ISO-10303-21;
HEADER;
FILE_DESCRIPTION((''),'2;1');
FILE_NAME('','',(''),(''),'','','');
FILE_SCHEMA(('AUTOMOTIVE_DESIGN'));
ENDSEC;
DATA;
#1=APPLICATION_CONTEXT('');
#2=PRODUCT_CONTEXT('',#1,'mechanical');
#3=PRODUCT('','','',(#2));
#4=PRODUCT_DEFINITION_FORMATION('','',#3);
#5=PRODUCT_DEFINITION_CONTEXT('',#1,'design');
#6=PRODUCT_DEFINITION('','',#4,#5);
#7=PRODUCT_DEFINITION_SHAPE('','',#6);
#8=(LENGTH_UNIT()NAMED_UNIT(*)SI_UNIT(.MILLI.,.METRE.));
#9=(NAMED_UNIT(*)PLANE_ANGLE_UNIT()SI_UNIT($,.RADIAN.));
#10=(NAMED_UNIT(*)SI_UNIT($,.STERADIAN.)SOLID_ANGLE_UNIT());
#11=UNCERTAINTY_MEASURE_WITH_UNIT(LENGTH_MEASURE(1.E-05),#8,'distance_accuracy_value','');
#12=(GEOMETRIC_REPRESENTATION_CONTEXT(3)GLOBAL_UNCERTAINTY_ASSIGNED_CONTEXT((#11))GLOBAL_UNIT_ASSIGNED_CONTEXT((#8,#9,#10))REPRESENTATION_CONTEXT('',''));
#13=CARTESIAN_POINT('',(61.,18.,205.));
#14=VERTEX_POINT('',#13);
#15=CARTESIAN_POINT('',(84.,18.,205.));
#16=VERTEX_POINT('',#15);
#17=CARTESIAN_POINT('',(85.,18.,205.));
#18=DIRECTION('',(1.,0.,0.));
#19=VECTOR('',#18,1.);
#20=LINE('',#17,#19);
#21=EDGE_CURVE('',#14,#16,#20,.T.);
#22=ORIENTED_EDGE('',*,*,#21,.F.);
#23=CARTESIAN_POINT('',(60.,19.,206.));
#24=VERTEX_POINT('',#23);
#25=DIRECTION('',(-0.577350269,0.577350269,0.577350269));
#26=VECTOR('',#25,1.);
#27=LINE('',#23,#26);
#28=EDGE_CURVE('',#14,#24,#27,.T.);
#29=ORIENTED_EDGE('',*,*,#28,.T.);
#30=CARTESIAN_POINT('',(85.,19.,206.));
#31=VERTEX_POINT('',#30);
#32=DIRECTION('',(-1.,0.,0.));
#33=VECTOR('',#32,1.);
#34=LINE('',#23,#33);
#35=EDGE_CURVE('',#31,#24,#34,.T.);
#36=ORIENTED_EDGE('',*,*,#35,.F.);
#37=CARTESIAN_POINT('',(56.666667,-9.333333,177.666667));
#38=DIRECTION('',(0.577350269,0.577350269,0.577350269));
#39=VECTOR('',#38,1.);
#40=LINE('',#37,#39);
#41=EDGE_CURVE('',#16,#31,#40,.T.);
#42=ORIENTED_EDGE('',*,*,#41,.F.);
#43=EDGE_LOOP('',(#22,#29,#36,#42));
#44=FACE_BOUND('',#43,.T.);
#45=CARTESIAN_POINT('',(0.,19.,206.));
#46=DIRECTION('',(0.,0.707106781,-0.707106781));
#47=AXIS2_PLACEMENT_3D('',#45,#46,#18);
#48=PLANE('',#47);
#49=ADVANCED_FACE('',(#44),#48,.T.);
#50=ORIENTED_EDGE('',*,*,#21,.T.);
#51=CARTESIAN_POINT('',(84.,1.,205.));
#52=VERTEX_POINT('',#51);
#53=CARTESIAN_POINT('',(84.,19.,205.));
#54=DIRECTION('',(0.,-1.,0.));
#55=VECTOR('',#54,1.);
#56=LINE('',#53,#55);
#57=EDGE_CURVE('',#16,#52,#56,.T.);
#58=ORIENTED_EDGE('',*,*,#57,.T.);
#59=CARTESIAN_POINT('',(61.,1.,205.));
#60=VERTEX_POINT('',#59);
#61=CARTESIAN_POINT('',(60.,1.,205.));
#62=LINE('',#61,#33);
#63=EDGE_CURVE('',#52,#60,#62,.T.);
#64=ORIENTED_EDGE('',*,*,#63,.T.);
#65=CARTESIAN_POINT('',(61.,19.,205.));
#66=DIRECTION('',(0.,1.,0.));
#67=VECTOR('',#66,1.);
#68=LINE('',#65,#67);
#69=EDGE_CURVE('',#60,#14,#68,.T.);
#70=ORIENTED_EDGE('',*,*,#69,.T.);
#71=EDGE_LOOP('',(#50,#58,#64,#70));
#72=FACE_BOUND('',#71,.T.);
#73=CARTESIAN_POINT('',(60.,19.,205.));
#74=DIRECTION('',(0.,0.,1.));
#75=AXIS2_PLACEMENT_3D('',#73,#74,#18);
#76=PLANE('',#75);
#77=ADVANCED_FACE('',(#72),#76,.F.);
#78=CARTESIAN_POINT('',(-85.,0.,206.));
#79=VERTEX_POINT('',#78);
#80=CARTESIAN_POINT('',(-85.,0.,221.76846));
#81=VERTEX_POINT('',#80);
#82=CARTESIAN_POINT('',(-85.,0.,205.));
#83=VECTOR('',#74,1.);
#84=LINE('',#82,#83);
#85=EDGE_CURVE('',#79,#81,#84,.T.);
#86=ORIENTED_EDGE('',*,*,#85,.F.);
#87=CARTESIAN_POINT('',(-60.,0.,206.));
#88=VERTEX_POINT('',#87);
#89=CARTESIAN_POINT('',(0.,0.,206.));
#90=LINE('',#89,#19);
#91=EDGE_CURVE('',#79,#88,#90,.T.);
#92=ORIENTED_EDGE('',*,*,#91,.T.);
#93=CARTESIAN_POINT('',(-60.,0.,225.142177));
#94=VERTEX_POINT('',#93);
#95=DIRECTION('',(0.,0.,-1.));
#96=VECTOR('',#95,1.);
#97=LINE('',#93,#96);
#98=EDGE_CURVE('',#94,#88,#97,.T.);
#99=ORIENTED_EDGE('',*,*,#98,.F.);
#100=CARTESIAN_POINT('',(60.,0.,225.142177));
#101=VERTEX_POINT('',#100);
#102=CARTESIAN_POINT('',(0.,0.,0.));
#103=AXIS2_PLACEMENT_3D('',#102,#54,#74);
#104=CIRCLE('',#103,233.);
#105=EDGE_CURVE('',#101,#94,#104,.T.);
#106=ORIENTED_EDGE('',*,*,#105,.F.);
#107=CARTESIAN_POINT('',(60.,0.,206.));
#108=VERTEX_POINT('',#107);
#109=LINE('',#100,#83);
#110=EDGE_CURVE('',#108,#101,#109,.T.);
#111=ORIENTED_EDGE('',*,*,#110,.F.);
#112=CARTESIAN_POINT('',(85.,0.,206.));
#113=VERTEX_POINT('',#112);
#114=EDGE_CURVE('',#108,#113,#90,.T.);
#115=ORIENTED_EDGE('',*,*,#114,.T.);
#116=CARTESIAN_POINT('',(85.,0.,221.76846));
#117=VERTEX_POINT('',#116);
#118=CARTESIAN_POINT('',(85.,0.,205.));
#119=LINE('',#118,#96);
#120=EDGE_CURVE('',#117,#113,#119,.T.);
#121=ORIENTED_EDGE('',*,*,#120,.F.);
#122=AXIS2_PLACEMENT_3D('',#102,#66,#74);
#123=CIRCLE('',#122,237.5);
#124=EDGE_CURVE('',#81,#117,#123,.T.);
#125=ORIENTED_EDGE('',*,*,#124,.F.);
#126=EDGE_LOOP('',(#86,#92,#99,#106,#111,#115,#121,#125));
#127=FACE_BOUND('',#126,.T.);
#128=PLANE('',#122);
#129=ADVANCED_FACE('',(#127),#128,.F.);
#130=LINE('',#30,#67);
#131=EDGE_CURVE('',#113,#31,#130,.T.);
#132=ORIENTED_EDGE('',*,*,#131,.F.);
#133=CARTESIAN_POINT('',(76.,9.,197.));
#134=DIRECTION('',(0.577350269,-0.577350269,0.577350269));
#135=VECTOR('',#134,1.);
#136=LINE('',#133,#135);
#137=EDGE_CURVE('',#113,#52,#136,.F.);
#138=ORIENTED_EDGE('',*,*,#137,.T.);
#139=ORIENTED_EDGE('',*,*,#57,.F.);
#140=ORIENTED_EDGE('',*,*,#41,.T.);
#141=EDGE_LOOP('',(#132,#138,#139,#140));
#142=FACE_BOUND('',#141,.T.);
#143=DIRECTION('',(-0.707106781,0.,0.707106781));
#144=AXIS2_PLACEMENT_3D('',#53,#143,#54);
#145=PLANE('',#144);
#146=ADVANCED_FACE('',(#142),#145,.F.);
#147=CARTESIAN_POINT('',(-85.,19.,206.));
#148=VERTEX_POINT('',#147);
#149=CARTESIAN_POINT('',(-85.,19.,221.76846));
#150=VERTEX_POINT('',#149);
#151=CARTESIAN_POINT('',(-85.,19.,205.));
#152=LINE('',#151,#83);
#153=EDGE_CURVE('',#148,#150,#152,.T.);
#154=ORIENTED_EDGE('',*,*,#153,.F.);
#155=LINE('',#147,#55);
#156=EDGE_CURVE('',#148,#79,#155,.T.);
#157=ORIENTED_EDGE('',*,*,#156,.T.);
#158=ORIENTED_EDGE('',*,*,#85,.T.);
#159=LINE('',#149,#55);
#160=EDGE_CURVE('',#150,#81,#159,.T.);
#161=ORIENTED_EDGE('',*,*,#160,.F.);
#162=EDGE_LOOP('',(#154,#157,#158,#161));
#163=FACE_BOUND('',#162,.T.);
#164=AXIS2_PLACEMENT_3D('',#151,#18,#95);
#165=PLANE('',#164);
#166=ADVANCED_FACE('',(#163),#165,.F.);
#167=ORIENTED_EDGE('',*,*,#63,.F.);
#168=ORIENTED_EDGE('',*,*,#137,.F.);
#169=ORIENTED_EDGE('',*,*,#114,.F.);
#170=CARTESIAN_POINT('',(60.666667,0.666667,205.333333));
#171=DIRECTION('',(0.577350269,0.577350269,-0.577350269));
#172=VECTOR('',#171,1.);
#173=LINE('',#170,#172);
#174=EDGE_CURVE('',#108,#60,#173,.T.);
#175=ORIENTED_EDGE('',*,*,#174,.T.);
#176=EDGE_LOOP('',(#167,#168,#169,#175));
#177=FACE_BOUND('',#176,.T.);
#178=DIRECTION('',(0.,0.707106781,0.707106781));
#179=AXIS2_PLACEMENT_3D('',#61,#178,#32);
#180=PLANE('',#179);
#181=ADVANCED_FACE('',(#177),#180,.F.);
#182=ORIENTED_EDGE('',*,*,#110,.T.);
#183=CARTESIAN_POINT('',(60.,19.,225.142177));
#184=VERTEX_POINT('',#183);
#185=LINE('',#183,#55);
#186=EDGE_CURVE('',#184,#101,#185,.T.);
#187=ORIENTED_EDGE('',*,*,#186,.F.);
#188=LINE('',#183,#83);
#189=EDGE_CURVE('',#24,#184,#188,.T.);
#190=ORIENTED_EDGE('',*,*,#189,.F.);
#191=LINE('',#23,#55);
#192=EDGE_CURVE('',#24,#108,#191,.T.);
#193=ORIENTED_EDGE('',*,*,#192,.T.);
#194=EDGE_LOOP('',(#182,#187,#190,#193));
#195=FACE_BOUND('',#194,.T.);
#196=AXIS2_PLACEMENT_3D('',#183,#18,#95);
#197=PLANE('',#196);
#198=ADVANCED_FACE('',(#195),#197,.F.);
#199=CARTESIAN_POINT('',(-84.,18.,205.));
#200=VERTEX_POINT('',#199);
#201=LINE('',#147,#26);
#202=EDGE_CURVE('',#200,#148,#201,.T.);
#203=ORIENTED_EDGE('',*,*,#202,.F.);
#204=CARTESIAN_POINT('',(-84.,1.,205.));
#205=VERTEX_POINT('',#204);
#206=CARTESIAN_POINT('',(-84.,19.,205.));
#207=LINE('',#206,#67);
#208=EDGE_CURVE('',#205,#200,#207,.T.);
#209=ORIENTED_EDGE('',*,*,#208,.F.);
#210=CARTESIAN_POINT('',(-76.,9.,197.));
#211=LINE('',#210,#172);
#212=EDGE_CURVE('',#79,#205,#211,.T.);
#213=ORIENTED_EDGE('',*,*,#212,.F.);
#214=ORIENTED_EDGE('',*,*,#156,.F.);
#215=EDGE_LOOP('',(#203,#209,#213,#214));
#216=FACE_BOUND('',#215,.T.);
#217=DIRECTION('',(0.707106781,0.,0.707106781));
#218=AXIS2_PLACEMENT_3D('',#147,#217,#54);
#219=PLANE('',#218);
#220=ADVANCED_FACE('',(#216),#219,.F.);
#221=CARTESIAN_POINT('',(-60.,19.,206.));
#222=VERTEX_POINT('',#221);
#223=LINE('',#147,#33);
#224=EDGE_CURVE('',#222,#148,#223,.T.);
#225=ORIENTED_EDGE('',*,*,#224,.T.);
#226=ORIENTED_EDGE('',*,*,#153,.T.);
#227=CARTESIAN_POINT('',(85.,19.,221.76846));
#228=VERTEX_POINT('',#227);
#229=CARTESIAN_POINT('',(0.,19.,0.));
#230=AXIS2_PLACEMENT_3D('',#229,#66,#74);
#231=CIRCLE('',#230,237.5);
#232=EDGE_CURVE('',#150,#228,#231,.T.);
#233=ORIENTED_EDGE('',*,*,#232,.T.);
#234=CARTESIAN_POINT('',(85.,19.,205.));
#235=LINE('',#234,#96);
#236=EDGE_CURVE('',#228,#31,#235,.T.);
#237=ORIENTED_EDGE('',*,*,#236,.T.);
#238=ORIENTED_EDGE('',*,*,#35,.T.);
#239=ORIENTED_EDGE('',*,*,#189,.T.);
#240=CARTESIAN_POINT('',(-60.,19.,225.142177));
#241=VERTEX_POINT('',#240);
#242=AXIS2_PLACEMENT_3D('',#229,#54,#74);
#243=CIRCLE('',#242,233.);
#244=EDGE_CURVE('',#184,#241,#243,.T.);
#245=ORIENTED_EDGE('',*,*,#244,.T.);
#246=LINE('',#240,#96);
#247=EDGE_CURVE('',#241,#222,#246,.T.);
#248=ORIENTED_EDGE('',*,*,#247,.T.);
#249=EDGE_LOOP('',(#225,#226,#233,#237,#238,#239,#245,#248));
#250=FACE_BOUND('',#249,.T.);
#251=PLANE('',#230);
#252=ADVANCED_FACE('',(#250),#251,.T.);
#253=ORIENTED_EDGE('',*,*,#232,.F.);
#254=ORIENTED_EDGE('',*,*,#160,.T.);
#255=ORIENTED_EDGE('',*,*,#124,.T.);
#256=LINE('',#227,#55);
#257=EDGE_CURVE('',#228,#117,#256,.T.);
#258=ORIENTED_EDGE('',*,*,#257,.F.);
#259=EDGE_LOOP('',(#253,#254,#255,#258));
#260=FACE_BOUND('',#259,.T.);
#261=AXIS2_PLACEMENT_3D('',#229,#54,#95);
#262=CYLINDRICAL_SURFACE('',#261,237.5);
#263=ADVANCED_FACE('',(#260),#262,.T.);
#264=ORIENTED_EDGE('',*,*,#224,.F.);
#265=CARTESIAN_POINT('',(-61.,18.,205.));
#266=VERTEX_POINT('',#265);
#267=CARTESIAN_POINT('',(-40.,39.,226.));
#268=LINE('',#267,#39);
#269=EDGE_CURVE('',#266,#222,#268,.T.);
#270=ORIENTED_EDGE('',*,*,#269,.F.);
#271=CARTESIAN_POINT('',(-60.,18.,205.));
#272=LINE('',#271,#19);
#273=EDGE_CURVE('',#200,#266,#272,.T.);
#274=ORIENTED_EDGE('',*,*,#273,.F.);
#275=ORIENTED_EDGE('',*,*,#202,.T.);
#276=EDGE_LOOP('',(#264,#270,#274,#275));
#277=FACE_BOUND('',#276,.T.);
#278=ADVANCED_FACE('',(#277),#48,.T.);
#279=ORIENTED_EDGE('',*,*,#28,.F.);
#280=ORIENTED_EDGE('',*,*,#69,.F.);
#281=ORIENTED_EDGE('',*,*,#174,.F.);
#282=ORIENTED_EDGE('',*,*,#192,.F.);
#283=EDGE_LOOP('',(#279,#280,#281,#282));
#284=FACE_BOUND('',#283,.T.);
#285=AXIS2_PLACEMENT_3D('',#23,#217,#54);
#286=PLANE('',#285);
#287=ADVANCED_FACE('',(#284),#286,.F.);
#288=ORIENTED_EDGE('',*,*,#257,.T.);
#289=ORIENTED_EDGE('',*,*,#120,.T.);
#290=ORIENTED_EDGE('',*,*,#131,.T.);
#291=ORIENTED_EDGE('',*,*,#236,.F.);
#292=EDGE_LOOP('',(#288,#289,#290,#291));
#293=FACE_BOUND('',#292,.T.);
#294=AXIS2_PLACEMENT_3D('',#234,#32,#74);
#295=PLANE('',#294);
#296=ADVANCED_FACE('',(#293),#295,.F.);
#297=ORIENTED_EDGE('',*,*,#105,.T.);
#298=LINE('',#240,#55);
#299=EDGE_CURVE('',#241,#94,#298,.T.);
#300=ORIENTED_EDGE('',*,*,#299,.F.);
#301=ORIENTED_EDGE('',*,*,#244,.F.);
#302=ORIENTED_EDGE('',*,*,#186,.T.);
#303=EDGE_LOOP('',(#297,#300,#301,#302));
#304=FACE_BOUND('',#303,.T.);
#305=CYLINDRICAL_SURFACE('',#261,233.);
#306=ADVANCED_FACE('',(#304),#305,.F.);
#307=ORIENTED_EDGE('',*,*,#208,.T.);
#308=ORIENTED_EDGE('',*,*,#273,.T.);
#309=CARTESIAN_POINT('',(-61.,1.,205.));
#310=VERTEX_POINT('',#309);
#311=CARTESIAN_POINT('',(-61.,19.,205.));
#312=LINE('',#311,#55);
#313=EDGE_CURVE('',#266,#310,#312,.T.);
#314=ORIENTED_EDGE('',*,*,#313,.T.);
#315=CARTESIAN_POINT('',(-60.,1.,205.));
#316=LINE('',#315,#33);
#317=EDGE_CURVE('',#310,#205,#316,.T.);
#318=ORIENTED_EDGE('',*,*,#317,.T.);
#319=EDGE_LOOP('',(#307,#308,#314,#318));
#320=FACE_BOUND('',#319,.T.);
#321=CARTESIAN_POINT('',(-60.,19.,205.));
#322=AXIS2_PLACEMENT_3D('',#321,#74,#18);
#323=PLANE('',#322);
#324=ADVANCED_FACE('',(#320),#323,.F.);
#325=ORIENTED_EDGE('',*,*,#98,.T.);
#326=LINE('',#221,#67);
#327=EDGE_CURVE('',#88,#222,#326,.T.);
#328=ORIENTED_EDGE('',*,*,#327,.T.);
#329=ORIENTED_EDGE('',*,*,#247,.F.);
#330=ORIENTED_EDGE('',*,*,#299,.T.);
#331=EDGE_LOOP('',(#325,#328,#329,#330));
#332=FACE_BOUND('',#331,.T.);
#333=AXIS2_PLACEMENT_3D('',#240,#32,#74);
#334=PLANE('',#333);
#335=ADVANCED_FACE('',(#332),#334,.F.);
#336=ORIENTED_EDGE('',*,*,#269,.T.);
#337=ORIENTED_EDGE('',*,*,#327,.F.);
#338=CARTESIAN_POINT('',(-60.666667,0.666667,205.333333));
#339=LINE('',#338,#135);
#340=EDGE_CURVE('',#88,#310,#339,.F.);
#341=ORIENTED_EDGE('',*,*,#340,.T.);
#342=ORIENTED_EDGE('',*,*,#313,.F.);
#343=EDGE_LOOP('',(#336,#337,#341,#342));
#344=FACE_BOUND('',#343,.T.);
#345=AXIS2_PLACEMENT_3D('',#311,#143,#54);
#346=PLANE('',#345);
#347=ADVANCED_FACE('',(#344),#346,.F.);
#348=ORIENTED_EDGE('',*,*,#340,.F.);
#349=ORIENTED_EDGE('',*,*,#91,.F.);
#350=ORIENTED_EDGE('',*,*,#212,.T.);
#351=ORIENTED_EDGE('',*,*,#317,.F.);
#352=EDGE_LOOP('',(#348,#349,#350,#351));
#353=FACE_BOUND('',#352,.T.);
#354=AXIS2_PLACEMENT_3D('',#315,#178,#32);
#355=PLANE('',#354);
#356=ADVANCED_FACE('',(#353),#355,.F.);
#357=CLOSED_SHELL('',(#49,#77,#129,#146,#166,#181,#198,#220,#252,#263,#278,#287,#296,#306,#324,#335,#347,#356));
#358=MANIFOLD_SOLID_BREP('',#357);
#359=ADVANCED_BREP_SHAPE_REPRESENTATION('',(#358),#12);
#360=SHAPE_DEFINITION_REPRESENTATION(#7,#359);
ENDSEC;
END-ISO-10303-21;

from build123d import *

# Parameters (mm, degrees)
EXTRUDE_1_DEPTH = 19
CHAMFER_1_SIZE  = 1


with BuildPart() as part:
    # 草图1 → 凸台-拉伸1 (new body)
    with BuildSketch(Plane(origin=(0, 0, 0), x_dir=(1, 0, 0), z_dir=(0, 1, 0))):
        with BuildLine():
            Line((60, -225.142177301), (60, -205))
            Line((60, -205), (85, -205))
            Line((85, -205), (85, -221.768460336))
            ThreePointArc((85, -221.768460336), (0, -237.5), (-85, -221.768460336))
            Line((-85, -221.768460336), (-85, -205))
            Line((-85, -205), (-60, -205))
            Line((-60, -205), (-60, -225.142177301))
            ThreePointArc((-60, -225.142177301), (0, -233), (60, -225.142177301))
        make_face()
    extrude(amount=EXTRUDE_1_DEPTH)

    # 倒角1
    chamfer_1_edges = [part.edges().sort_by_distance(p)[0] for p in [
        (-72.5, 0, 205),
        (-72.5, 19, 205),
        (60, 9.5, 205),
        (85, 9.5, 205),
        (-85, 9.5, 205),
        (-60, 9.5, 205),
        (72.5, 19, 205),
        (72.5, 0, 205),
    ]]
    chamfer(chamfer_1_edges, length=CHAMFER_1_SIZE)


solid = part.part
